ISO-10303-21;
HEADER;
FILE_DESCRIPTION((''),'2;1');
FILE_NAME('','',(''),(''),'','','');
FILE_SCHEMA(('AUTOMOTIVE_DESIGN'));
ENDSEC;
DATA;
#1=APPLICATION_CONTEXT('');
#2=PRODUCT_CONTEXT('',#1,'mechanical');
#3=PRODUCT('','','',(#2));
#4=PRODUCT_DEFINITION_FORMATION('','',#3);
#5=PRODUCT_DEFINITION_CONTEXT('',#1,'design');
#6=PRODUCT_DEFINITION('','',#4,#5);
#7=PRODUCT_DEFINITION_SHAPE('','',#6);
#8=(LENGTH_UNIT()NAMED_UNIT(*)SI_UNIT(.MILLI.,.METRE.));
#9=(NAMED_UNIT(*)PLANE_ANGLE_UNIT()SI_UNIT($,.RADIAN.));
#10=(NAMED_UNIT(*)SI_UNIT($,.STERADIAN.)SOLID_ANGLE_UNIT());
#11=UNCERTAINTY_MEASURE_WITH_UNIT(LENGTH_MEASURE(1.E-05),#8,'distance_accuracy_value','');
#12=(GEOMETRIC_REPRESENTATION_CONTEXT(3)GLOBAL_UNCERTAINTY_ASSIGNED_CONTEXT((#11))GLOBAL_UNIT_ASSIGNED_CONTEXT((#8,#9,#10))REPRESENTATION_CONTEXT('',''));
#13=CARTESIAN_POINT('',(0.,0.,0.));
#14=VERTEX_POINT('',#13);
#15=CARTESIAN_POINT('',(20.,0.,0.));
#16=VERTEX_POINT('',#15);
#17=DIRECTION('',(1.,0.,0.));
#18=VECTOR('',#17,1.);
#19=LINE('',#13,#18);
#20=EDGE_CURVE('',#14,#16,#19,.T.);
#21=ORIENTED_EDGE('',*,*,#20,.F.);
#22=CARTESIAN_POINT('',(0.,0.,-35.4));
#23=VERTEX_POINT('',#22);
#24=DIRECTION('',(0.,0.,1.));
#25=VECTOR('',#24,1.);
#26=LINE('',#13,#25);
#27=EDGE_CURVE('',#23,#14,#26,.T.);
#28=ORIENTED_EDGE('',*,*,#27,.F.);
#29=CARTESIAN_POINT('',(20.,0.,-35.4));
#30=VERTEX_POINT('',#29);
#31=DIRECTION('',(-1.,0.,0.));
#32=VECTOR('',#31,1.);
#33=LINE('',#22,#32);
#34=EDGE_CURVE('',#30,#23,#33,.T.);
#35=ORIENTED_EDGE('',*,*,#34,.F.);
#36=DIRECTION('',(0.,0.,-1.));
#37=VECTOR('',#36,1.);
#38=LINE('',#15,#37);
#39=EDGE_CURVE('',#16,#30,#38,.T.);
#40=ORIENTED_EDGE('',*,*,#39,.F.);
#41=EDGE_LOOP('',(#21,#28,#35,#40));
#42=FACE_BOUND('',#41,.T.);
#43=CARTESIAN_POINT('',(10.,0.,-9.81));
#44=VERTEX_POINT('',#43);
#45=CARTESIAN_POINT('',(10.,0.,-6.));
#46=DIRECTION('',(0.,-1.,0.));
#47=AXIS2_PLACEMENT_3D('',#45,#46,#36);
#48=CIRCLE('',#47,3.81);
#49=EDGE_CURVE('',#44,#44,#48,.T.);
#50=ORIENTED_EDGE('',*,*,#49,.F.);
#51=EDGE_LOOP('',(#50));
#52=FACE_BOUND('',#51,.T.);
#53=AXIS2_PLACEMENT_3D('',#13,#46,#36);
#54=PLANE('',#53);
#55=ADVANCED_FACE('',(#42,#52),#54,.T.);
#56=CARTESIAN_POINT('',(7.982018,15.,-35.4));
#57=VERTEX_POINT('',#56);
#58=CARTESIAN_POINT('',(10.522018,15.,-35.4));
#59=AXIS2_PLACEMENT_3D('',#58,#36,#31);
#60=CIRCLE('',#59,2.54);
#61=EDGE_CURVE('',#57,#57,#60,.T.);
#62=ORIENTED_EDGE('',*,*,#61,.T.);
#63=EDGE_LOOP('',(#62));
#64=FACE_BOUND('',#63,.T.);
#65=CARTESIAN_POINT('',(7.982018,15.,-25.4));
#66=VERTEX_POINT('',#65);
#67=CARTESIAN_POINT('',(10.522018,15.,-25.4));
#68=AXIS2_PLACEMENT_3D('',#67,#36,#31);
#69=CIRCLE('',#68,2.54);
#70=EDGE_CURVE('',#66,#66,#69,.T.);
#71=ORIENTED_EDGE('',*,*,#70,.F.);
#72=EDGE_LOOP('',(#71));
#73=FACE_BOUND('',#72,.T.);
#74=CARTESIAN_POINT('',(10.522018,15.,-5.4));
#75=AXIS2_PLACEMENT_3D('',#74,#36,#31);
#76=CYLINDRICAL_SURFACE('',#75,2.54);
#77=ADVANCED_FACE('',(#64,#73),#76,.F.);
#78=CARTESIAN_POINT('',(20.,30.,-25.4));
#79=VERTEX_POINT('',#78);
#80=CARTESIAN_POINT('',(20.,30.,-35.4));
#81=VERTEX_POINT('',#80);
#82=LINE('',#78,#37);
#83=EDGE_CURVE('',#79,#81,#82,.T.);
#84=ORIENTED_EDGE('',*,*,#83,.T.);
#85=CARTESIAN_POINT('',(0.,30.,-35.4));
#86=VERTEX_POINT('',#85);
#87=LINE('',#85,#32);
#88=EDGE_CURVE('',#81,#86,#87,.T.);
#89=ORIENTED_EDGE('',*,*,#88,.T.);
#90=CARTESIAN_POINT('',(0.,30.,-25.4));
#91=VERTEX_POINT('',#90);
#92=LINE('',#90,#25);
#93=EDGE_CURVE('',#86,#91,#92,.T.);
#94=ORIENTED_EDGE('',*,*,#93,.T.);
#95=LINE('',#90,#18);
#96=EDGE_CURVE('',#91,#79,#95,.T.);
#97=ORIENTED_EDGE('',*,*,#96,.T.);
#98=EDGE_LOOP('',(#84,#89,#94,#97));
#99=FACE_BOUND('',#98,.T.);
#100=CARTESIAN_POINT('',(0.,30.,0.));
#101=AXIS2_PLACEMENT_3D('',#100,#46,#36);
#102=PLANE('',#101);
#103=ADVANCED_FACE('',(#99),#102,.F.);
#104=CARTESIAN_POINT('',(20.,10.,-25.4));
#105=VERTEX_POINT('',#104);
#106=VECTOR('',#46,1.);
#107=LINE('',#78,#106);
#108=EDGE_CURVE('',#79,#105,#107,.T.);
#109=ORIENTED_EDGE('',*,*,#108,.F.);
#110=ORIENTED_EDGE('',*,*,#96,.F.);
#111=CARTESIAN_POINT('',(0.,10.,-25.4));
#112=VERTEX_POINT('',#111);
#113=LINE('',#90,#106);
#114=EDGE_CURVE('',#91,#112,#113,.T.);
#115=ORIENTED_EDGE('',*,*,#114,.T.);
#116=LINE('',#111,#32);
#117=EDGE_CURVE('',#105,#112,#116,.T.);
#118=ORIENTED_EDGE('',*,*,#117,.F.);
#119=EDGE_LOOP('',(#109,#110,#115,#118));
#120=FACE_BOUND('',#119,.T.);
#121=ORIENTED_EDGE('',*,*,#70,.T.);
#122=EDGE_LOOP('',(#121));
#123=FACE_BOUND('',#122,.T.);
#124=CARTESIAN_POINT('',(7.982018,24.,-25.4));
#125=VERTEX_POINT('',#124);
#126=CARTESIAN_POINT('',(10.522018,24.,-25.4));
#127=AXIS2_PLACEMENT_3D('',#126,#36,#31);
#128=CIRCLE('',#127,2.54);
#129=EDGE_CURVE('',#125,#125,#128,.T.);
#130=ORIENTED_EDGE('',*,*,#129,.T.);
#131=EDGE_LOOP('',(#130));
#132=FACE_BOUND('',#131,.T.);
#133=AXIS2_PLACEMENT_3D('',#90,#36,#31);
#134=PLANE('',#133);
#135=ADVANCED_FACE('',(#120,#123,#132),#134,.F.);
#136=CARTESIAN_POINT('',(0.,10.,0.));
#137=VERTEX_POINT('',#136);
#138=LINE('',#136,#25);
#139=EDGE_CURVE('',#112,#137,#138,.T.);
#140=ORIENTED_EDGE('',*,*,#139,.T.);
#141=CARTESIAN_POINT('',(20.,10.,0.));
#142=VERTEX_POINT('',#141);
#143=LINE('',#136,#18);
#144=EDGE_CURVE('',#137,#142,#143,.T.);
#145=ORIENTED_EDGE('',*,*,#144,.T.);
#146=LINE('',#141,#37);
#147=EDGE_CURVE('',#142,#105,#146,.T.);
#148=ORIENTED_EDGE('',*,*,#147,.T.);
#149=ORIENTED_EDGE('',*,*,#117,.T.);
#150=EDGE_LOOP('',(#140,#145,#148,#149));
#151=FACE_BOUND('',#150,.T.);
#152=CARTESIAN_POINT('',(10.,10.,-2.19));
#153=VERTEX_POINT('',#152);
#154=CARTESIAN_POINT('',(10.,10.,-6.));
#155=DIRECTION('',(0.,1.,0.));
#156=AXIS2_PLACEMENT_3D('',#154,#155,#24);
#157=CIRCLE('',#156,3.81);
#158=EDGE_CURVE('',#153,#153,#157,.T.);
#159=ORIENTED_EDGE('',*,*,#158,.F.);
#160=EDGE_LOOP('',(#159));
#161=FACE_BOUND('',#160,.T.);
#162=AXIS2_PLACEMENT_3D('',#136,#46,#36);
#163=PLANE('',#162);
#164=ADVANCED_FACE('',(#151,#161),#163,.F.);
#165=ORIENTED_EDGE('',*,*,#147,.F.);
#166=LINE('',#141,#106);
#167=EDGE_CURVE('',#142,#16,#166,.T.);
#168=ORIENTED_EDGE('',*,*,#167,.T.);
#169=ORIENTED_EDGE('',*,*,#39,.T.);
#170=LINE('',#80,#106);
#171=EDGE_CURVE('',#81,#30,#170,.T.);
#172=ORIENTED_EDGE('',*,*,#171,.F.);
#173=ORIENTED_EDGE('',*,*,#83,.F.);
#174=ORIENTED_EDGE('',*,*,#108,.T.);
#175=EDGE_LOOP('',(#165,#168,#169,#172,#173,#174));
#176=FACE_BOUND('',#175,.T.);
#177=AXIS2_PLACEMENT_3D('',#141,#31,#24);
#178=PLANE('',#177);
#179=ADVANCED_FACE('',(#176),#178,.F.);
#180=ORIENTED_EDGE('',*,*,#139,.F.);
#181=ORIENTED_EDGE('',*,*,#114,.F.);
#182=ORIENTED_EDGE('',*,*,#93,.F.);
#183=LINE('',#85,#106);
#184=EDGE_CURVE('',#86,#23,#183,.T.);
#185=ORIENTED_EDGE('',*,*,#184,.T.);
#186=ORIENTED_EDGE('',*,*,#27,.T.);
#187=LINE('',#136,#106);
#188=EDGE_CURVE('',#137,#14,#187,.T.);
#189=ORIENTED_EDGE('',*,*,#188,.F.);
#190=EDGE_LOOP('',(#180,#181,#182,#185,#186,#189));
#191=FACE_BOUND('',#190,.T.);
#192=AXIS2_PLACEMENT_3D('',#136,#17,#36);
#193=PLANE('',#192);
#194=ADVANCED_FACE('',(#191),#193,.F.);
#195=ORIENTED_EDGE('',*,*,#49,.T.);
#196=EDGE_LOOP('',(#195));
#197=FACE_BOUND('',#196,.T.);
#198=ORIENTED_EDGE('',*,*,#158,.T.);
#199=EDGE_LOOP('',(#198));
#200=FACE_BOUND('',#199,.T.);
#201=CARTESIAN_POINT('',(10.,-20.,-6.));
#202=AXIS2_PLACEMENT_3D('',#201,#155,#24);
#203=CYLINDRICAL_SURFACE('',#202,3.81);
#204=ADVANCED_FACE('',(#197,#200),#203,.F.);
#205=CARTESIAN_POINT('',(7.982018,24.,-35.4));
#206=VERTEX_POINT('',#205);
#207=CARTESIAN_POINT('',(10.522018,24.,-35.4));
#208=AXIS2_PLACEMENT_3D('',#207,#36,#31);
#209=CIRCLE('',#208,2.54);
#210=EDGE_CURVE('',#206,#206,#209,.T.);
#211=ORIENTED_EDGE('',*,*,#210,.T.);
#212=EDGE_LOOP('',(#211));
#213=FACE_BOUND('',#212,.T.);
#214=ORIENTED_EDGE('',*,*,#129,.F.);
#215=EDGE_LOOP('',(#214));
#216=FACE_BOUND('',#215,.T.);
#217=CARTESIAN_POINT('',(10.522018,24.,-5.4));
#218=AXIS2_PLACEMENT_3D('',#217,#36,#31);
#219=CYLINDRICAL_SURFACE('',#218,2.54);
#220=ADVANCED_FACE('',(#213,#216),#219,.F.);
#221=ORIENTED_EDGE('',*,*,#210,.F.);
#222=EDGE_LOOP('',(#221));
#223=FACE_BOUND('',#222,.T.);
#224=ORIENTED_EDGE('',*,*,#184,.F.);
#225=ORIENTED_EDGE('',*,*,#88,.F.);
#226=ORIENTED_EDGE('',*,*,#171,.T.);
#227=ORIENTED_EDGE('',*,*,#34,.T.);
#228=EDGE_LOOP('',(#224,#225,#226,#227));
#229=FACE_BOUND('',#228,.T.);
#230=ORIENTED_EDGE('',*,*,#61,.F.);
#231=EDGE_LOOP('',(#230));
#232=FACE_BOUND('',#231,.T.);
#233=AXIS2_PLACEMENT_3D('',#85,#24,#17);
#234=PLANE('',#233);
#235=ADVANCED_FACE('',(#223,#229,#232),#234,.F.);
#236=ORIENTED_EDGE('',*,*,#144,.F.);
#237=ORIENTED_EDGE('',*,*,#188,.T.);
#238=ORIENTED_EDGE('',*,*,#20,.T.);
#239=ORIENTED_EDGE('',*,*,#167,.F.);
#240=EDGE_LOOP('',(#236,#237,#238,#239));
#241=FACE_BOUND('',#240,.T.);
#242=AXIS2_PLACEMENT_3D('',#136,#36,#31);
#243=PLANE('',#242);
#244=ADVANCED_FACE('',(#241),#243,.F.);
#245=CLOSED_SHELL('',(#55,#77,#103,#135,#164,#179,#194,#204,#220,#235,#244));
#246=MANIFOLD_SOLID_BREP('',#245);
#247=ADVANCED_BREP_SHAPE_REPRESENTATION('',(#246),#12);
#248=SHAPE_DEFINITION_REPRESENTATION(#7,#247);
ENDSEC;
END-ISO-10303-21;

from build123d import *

# Parameters (mm, degrees)
SKETCH1_W           = 20
SKETCH1_H           = 25.4
BOSS_EXTRUDE1_DEPTH = 10
SKETCH2_W           = 20
SKETCH2_H           = 10
BOSS_EXTRUDE2_DEPTH = 30
SKETCH3_R           = 3.81
CUT_EXTRUDE1_DEPTH  = 30
SKETCH4_R           = 2.54
CUT_EXTRUDE2_DEPTH  = 30


with BuildPart() as part:
    # Sketch1 → Boss-Extrude1 (new body)
    with BuildSketch(Plane(origin=(0, 0, 0), x_dir=(1, 0, 0), z_dir=(0, 1, 0))):
        with Locations((10, 12.7)):
            Rectangle(SKETCH1_W, SKETCH1_H)
    extrude(amount=BOSS_EXTRUDE1_DEPTH)

    # Sketch2 → Boss-Extrude2 (add)
    with BuildSketch(Plane(origin=(0, 0, 0), x_dir=(1, 0, 0), z_dir=(0, 1, 0))):
        with Locations((10, 30.4)):
            Rectangle(SKETCH2_W, SKETCH2_H)
    extrude(amount=BOSS_EXTRUDE2_DEPTH)

    # Sketch3 → Cut-Extrude1 (cut)
    with BuildSketch(Plane(origin=(0, 10, 0), x_dir=(1, 0, 0), z_dir=(0, 1, 0))):
        with Locations(Location((10, 6, 0), (0, 0, 270))):
            Circle(SKETCH3_R)
    extrude(amount=-CUT_EXTRUDE1_DEPTH, mode=Mode.SUBTRACT)

    # Sketch4 → Cut-Extrude2 (cut)
    with BuildSketch(Plane(origin=(0, 0, -35.4), x_dir=(-1, 0, 0), z_dir=(0, 0, -1))):
        with Locations((-10.522018302, 24)):
            Circle(SKETCH4_R)
        with Locations((-10.522018302, 15)):
            Circle(SKETCH4_R)
    extrude(amount=-CUT_EXTRUDE2_DEPTH, mode=Mode.SUBTRACT)


solid = part.part
